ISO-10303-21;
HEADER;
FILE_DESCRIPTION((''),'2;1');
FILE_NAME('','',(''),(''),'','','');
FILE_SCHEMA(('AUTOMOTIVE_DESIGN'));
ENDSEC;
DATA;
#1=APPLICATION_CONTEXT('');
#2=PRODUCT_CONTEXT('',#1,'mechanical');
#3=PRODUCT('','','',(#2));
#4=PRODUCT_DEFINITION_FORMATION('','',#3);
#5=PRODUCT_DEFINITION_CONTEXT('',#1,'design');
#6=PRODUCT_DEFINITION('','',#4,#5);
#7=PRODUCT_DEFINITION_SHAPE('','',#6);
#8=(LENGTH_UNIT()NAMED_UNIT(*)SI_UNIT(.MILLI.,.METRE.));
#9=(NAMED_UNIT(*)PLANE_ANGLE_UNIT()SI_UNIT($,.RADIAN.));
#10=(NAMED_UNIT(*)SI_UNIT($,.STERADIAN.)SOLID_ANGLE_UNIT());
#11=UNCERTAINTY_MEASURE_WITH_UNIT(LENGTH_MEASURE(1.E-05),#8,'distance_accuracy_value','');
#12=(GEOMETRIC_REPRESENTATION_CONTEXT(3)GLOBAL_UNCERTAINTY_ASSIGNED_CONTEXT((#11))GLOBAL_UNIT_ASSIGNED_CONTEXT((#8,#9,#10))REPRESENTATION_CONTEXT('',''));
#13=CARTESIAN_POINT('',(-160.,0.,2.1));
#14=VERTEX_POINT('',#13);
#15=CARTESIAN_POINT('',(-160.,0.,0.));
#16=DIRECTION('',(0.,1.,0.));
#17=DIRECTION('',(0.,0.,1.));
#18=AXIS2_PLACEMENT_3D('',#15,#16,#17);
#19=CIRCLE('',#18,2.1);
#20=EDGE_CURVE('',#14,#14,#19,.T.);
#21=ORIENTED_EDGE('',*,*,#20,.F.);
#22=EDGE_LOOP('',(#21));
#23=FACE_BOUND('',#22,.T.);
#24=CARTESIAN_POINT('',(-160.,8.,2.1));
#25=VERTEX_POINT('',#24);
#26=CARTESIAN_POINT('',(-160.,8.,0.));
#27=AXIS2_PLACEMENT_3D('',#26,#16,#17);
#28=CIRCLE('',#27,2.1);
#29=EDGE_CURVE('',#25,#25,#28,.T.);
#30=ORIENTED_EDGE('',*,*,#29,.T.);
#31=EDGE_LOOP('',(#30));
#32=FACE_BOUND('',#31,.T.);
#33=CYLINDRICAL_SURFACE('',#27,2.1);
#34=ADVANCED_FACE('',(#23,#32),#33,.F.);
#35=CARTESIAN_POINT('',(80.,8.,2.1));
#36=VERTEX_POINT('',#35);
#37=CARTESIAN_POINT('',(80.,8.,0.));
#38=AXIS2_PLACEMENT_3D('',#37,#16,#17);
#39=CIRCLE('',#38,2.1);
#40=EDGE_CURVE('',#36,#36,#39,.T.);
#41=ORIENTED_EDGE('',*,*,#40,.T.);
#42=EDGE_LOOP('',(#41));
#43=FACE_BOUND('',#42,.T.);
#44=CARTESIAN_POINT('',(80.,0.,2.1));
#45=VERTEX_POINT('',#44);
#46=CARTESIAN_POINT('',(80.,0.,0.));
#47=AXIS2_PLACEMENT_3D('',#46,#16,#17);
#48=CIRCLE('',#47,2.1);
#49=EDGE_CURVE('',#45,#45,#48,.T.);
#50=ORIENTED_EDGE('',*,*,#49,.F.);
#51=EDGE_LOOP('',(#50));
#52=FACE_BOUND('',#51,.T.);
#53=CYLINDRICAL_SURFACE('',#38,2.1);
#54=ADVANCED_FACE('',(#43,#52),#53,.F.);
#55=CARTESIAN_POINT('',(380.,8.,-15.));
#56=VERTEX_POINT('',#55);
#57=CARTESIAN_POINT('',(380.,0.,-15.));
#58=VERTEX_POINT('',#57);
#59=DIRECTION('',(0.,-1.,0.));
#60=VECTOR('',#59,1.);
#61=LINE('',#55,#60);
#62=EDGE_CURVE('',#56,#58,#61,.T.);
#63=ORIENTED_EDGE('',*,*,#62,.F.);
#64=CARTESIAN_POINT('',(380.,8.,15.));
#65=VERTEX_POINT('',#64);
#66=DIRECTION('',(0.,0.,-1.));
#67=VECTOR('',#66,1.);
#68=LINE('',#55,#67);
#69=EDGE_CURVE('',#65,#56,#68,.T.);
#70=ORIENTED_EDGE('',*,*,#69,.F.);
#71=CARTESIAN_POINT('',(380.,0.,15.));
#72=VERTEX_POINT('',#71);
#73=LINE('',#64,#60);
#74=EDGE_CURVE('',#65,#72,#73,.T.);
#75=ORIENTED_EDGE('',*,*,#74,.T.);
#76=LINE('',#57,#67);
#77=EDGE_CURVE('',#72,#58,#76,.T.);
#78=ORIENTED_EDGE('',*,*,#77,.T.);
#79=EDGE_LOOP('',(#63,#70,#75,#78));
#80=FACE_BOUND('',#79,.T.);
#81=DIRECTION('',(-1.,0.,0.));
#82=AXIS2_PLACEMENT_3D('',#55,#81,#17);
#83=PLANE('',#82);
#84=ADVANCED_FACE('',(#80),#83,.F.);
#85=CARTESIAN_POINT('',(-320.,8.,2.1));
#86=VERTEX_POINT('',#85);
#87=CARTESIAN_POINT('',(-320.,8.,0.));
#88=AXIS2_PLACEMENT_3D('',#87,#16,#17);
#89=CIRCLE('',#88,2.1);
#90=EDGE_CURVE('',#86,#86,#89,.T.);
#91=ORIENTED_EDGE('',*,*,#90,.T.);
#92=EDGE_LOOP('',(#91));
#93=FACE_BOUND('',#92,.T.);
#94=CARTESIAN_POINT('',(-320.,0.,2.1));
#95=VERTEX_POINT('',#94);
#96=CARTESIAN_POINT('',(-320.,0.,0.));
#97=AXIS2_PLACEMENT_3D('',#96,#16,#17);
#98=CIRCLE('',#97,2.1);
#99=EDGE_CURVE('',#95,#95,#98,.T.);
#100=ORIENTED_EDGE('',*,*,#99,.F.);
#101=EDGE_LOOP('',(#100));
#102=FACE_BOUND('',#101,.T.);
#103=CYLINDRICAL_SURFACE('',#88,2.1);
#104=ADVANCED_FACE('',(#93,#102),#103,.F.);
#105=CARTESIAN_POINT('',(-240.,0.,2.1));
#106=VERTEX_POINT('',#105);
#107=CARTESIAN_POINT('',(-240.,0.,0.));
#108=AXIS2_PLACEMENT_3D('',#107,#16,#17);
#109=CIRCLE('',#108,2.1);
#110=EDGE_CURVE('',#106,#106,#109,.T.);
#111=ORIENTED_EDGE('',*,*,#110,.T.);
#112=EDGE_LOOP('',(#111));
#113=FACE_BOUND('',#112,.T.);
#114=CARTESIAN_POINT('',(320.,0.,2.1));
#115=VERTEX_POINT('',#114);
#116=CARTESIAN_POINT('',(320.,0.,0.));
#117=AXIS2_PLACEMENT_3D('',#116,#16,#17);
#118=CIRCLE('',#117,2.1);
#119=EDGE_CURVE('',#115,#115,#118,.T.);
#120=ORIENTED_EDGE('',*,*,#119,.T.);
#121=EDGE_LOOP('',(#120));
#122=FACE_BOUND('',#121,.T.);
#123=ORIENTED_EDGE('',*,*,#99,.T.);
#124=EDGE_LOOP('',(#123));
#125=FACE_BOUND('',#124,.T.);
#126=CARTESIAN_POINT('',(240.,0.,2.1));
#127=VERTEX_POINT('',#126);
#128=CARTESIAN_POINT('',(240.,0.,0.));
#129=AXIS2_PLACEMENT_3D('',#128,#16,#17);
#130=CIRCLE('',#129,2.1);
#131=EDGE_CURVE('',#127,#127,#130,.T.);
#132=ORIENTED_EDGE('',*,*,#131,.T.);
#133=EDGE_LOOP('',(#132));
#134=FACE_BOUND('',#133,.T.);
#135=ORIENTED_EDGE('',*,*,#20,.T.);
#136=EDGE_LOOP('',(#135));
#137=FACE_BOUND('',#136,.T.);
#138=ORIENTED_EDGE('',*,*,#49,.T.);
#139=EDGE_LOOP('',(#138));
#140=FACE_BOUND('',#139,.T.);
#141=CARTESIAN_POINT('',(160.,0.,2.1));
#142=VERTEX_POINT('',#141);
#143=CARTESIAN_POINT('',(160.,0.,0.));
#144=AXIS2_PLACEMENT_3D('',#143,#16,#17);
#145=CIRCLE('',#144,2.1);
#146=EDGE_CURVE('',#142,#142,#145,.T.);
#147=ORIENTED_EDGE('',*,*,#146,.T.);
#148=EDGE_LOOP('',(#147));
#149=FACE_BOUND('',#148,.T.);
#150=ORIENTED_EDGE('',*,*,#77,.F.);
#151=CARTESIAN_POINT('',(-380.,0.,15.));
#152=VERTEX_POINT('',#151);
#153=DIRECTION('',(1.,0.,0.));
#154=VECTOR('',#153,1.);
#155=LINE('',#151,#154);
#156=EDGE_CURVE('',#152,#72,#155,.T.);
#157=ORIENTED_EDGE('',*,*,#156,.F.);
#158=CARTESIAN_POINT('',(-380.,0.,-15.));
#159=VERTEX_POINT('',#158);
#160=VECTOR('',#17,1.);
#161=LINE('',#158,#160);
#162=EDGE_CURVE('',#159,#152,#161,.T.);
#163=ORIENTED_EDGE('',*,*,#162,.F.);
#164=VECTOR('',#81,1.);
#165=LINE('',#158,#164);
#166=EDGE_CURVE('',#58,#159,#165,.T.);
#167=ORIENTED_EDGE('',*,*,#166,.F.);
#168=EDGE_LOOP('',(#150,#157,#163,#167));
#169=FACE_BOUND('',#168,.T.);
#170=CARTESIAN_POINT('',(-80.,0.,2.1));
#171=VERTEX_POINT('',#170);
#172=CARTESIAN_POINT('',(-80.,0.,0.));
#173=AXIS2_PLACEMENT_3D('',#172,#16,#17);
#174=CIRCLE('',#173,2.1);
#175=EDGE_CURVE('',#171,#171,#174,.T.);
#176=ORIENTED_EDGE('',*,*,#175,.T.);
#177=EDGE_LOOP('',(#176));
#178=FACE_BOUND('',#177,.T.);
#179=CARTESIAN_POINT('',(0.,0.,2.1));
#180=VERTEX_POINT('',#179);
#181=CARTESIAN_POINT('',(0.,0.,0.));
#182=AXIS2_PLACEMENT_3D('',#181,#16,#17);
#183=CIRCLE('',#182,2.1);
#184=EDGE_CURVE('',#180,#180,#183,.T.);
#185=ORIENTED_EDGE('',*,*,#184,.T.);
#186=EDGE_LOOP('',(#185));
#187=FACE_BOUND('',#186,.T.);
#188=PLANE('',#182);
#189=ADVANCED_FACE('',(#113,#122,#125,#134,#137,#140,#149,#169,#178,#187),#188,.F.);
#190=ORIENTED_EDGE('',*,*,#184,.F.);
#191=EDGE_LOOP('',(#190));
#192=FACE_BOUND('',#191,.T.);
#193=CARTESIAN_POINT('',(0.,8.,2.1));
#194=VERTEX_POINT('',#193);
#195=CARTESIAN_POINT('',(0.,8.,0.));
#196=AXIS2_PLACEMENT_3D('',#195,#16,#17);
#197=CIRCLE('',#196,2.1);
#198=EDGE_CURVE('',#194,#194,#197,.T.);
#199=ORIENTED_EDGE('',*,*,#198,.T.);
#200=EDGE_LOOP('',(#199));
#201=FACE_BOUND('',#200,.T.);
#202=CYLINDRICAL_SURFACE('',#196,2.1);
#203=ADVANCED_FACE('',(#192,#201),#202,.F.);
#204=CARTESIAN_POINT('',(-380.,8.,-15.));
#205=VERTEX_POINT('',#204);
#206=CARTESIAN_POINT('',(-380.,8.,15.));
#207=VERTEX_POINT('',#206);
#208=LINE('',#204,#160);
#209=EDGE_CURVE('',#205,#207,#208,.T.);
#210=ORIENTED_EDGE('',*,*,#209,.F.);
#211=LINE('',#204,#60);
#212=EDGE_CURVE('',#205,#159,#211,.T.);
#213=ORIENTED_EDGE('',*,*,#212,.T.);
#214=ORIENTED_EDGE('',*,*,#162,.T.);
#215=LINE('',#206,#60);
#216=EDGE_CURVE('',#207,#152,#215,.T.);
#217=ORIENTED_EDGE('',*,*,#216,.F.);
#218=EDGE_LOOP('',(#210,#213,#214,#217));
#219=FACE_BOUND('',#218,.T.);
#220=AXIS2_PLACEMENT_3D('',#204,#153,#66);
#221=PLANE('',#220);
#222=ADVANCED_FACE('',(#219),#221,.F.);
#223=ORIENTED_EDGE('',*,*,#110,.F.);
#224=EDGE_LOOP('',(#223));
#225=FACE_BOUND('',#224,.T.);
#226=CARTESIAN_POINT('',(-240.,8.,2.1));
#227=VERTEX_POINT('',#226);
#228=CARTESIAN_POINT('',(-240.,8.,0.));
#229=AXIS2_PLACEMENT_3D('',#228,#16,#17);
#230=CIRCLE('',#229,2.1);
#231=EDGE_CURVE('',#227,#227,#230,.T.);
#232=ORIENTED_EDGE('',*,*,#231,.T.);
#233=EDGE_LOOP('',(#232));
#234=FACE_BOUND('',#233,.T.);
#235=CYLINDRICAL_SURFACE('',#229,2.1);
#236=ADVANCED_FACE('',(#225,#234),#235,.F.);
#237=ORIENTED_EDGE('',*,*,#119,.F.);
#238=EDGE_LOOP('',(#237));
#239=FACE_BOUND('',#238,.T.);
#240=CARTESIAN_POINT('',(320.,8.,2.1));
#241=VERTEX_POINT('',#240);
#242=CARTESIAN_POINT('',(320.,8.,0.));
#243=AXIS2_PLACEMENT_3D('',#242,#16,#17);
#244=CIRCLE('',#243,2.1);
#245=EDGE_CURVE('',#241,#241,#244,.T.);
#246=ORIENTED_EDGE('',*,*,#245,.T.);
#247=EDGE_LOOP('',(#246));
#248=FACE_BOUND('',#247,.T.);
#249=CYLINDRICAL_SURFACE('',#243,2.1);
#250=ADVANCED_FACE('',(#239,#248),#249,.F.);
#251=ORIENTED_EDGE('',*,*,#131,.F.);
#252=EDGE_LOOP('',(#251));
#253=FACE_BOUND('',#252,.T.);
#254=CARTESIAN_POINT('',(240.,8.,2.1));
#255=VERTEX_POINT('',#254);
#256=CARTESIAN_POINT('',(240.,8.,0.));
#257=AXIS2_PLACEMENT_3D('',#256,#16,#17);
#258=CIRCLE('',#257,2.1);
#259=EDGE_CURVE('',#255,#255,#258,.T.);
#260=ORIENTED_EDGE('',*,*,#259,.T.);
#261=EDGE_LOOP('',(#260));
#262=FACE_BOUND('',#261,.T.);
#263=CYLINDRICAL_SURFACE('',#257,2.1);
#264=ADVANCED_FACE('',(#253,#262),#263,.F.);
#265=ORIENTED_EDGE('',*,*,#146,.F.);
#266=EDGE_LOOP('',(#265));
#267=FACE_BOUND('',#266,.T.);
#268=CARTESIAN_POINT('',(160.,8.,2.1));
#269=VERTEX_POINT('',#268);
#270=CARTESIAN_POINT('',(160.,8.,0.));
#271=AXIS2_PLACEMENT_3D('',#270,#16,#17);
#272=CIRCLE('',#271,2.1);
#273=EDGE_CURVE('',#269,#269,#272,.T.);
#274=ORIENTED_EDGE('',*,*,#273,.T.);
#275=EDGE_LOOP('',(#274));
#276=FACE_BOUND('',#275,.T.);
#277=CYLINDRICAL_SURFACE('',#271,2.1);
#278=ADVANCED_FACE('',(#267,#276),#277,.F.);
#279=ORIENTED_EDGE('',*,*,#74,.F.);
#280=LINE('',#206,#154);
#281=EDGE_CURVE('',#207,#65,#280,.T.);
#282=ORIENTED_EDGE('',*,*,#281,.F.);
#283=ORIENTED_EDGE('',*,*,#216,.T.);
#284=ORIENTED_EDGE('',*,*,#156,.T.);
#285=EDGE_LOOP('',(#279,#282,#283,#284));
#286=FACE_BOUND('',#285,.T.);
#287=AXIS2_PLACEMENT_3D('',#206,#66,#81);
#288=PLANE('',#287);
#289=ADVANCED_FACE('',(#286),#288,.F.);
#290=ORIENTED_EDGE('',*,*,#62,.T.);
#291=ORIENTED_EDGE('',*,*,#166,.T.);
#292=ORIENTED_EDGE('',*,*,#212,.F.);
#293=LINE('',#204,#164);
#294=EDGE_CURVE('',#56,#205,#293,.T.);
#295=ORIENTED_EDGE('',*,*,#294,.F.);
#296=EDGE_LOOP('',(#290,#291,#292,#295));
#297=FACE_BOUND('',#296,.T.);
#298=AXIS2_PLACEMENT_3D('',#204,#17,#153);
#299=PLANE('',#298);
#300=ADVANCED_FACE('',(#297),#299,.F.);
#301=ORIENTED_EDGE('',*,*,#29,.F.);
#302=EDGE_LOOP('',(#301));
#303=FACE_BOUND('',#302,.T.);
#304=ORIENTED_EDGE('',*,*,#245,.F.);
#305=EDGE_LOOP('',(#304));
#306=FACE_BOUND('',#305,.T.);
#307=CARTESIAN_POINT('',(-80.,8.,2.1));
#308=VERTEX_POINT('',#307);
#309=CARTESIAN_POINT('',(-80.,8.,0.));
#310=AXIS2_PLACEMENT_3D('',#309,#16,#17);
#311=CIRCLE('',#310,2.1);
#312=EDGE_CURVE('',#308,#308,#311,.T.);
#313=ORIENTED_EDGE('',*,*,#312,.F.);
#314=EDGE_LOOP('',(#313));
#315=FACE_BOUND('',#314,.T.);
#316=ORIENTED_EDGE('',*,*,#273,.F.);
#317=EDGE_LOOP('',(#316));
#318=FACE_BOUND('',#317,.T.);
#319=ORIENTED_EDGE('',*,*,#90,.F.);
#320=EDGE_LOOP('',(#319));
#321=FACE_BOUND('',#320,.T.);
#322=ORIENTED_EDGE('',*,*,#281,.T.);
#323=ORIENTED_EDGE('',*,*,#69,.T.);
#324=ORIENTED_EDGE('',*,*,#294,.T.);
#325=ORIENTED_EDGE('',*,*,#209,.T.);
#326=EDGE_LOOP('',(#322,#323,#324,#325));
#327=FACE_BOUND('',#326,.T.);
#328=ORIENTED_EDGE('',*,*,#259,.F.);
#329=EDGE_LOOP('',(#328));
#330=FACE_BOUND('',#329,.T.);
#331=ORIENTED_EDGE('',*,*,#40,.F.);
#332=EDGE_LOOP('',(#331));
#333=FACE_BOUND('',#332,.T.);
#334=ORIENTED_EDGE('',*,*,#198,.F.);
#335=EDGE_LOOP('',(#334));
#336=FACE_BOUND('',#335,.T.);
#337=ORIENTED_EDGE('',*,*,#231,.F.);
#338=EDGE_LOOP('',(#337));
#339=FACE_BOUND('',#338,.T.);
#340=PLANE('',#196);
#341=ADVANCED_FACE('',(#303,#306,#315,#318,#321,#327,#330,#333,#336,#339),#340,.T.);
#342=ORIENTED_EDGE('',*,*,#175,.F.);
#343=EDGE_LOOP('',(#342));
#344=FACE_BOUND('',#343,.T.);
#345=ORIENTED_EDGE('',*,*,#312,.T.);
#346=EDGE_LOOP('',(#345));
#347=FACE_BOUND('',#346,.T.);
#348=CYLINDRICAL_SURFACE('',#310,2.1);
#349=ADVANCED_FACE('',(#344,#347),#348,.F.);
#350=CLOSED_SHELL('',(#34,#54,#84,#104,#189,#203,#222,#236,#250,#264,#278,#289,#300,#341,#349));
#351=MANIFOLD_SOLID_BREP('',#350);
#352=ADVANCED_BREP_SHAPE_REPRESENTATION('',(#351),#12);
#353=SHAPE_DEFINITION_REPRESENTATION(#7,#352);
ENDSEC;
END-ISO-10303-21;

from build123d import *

# Parameters (mm, degrees)
SKETCH1_W           = 760
SKETCH1_H           = 30
BOSS_EXTRUDE1_DEPTH = 8
M5_TAPPED_HOLE1_D   = 4.2


with BuildPart() as part:
    # Sketch1 → Boss-Extrude1 (new body)
    with BuildSketch(Plane(origin=(0, 0, 0), x_dir=(1, 0, 0), z_dir=(0, 1, 0))):
        Rectangle(SKETCH1_W, SKETCH1_H)
    extrude(amount=BOSS_EXTRUDE1_DEPTH)

    # M5 Tapped Hole1 (through all)
    with Locations(Plane(origin=(0, 8, 0), x_dir=(1, 0, 0), z_dir=(0, 1, 0))):
        with Locations((0, 0), (80, 0), (160, 0), (240, 0), (320, 0), (-80, 0), (-160, 0), (-240, 0), (-320, 0)):
            Hole(M5_TAPPED_HOLE1_D / 2)


solid = part.part
